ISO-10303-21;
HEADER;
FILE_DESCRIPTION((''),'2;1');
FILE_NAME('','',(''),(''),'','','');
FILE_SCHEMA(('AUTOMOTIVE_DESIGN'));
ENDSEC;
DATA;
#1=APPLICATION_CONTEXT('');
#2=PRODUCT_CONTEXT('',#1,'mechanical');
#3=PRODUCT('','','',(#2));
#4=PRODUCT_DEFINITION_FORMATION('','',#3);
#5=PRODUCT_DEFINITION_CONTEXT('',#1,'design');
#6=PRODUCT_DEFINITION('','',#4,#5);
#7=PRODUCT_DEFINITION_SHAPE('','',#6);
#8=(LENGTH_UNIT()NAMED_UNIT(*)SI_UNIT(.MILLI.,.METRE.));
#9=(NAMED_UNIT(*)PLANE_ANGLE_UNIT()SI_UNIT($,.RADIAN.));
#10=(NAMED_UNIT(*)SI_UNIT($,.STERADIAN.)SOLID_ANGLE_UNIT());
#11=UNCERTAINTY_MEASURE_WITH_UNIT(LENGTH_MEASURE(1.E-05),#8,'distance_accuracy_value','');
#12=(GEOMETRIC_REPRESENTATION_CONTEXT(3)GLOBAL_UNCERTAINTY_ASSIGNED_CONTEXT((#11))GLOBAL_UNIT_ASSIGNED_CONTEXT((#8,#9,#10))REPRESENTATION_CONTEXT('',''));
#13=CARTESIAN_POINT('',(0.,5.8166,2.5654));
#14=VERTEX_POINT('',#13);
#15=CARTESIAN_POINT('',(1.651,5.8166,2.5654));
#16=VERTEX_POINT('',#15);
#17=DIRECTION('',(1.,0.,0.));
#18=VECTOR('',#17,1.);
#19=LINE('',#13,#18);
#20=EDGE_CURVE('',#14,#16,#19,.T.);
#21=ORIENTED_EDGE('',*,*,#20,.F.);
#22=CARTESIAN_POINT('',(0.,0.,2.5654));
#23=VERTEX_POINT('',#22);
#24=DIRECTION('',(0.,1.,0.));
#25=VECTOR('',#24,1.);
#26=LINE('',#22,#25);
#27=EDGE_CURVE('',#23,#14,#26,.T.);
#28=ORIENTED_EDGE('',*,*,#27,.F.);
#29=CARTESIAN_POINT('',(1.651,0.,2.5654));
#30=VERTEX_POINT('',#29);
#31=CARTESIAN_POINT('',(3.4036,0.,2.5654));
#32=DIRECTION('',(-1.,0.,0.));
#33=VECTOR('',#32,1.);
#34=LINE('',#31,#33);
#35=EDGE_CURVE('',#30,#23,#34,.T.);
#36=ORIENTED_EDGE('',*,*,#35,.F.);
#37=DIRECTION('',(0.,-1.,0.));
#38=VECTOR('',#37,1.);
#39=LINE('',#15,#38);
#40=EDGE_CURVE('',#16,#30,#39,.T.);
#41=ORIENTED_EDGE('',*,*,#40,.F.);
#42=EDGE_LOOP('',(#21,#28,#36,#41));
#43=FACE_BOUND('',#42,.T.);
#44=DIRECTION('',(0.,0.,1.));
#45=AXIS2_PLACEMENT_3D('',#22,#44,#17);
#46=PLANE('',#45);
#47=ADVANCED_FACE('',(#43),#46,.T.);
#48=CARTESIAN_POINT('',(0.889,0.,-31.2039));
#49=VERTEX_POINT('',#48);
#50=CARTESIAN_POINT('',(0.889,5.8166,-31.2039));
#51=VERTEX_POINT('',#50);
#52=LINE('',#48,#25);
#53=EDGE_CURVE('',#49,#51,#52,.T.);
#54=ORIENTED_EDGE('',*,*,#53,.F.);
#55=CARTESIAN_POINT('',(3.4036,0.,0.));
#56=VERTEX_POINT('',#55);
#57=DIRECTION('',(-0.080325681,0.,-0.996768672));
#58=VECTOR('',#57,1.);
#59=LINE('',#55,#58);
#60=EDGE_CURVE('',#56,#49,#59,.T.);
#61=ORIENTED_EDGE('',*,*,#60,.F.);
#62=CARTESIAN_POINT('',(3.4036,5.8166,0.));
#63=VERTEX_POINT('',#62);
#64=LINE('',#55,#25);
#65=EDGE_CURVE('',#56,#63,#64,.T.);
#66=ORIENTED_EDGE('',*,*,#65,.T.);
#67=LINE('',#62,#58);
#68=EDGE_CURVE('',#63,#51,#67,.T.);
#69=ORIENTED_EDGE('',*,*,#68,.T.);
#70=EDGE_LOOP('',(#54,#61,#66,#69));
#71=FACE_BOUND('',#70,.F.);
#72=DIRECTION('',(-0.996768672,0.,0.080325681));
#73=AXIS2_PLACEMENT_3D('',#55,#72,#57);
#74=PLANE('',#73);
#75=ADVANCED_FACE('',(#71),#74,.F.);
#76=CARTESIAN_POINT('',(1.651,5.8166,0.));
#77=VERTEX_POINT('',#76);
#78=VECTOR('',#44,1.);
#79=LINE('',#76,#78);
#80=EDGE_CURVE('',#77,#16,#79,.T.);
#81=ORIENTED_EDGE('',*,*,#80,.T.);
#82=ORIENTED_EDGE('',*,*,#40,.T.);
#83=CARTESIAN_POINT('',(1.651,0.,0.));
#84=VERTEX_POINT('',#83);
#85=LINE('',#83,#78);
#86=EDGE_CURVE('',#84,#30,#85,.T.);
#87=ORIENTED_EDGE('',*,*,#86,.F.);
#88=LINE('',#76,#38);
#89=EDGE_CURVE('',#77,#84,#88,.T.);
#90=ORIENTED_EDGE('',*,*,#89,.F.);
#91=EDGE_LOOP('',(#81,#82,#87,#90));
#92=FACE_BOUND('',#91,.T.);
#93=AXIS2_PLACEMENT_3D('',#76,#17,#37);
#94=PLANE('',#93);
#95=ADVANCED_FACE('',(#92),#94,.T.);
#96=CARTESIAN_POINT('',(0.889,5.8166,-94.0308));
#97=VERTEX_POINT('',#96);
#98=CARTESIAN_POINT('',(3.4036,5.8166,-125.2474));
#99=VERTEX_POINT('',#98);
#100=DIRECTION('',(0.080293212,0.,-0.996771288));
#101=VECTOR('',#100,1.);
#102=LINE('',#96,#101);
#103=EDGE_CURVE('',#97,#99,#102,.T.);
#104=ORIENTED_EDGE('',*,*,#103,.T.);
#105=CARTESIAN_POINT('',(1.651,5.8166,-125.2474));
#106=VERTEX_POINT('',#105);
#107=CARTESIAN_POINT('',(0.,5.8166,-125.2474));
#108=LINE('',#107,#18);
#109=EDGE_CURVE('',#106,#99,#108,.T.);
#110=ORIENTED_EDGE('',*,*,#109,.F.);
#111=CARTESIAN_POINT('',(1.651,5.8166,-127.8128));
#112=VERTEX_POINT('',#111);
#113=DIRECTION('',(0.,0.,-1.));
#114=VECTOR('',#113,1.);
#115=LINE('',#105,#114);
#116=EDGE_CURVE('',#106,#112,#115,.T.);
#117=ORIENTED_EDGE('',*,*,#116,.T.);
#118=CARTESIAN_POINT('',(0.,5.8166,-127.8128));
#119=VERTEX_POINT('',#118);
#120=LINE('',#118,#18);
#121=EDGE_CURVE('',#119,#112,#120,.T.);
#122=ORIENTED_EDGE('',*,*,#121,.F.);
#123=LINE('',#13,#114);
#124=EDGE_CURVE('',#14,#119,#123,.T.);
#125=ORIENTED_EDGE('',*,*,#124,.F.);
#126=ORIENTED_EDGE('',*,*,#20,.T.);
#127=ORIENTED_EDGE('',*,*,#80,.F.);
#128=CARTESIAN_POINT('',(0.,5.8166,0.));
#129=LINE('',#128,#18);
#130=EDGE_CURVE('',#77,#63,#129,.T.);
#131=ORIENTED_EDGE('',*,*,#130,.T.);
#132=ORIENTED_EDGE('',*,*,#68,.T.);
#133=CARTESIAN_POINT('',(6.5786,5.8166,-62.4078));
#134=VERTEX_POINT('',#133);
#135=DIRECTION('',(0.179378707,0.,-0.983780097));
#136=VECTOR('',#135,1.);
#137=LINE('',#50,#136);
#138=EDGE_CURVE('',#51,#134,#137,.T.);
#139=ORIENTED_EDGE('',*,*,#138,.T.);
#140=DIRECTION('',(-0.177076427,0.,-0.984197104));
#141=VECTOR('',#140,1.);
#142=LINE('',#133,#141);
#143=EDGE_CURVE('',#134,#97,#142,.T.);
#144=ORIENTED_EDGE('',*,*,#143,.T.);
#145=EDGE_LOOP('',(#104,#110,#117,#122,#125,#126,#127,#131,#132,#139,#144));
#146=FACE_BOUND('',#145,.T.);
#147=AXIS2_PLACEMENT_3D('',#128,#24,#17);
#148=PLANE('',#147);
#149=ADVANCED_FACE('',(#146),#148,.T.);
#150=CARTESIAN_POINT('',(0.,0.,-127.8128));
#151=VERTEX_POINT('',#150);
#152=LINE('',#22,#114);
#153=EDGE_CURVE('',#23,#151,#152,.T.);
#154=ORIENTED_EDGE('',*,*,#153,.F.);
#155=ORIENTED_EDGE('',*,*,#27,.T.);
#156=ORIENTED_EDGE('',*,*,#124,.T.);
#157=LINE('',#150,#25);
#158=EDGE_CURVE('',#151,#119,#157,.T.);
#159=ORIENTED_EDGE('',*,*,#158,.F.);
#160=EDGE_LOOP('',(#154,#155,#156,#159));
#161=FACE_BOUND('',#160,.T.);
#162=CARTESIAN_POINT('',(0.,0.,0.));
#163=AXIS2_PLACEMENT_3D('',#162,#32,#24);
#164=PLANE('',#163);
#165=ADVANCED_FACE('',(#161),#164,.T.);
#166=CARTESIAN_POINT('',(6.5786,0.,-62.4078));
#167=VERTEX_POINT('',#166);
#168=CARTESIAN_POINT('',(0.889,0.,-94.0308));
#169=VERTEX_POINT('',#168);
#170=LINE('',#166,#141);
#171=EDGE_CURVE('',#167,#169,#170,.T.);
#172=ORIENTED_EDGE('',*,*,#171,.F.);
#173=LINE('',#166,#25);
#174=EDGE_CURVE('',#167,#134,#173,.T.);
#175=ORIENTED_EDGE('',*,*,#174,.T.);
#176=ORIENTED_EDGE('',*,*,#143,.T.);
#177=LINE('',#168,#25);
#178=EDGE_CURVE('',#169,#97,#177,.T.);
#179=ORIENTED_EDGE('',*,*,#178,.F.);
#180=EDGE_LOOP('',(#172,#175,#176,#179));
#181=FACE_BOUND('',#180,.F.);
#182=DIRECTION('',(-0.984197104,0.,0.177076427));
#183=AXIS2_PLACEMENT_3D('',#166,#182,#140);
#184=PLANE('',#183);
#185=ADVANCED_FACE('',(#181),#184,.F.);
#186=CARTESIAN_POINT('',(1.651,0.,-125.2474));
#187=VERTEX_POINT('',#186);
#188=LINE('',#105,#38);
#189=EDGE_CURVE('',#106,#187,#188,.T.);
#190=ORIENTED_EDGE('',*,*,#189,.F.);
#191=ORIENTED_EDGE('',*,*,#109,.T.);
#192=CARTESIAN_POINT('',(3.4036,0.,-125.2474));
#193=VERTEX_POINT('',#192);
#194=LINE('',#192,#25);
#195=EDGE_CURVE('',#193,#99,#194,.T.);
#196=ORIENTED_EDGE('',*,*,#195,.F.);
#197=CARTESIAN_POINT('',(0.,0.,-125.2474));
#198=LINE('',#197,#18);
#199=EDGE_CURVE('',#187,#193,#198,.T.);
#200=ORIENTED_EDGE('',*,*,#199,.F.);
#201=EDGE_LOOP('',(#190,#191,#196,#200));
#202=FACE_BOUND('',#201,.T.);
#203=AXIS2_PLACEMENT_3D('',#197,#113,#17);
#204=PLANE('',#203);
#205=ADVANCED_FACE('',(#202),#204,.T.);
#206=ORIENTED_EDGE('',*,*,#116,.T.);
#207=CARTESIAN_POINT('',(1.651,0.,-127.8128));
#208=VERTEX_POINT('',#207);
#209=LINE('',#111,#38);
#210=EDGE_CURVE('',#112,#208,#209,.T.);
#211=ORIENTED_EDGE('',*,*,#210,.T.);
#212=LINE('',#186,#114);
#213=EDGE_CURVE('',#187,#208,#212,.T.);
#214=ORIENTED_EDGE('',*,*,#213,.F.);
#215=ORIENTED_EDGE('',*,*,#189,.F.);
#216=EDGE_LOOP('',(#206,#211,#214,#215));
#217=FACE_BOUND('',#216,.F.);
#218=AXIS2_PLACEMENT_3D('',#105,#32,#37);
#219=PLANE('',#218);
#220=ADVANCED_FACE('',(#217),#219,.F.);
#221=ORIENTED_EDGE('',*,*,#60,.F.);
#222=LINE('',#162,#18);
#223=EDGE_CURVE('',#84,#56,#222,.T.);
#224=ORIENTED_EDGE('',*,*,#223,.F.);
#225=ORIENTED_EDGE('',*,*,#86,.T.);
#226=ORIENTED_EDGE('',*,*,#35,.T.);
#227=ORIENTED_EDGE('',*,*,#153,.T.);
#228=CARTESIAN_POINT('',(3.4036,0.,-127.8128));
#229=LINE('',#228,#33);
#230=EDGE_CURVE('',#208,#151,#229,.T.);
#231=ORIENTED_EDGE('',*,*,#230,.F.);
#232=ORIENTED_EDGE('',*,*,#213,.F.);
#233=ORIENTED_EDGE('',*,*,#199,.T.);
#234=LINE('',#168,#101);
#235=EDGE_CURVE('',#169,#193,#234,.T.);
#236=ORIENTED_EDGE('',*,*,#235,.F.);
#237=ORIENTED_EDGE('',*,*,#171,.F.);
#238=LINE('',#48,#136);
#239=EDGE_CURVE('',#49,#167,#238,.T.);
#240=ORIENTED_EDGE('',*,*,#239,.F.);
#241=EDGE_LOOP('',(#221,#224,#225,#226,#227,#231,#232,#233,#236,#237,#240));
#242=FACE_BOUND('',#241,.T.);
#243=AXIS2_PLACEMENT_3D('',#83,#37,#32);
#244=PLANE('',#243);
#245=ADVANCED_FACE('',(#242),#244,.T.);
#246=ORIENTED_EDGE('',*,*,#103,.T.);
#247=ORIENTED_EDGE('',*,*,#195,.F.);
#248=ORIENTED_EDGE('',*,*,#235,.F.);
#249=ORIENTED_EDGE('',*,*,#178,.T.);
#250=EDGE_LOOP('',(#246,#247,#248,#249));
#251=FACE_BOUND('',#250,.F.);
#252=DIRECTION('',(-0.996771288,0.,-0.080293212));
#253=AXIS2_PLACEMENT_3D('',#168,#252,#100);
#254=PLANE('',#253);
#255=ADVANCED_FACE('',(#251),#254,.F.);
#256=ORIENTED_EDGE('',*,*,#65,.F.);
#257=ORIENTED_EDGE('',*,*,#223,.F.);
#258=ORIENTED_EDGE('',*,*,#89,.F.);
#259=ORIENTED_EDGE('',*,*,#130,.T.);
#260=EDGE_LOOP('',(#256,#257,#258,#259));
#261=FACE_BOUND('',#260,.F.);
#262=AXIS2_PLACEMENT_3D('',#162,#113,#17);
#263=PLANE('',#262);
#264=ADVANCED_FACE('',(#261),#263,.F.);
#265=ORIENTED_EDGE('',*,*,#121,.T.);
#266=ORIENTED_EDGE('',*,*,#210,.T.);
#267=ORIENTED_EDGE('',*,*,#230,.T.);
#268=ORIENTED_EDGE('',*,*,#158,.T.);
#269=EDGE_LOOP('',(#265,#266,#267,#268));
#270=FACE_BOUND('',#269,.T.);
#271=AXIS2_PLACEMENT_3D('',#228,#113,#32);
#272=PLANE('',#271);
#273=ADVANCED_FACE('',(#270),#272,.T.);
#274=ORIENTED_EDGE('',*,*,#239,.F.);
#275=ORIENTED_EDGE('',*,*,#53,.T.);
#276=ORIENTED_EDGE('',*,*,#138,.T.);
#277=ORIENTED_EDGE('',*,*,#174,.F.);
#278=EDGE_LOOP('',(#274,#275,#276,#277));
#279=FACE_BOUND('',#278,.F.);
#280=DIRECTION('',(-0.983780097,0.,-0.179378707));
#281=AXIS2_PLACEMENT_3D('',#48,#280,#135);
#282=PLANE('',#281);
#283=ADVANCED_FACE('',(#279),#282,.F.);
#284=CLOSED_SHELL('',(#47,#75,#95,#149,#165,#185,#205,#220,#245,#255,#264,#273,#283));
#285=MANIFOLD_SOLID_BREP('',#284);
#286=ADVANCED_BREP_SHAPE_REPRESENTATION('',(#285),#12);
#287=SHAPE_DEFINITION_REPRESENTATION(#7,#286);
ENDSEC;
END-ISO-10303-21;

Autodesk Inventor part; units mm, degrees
ref_plane "YZ Plane" through (0, 0, 0) normal (1, 0, 0) x (0, 1, 0)
ref_plane "XZ Plane" through (0, 0, 0) normal (0, 1, 0) x (-1, 0, 0)
ref_plane "XY Plane" through (0, 0, 0) normal (0, 0, 1) x (1, 0, 0)
sketch "Sketch1" plane through (0, 0, 0) normal (0, 1, 0) x (-1, 0, 0)
  line L0 (0, 0) -> (0, -125.2474)
  line L1 (0, -125.2474) -> (-3.4036, -125.2474)
  line L2 (0, 0) -> (-3.4036, 0)
  line L3 (-3.4036, 0) -> (-0.889, -31.2039)
  line L4 (-0.889, -31.2039) -> (-6.5786, -62.4078)
  line L5 (-6.5786, -62.4078) -> (-0.889, -94.0308)
  line L6 (-0.889, -94.0308) -> (-3.4036, -125.2474)
  dimension "d0" = 125.2474
  dimension "d1" = 3.4036
  dimension "d2" = 3.4036
  dimension "d3" = 31.2039
  dimension "d4" = 62.4078
  dimension "d5" = 31.2166
  dimension "d15" = 6.5786
  dimension "d16" = 0.889
  dimension "d17" = 0.889
extrude "Extrusion1" add sketch "Sketch1" along normal blind 5.8166
sketch "Sketch2" plane through (0, 0, 0) normal (0, 0, 1) x (1, 0, 0)
  line L0 (3.4036, 0) -> (0, 0) projected
  line L1 (0, 5.8166) -> (1.651, 5.8166)
  line L2 (1.651, 5.8166) -> (1.651, 0)
  line L3 (1.651, 0) -> (0, 0)
  line L4 (0, 0) -> (0, 5.8166)
  dimension "d8" = 1.651
sketch "Sketch3" plane through (3.4036, 0, -125.2474) normal (0, 0, -1) x (-1, 0, 0)
  line L0 (3.4036, 0) -> (3.4036, 5.8166) projected
  line L1 (0, 0) -> (3.4036, 0) projected
  line L2 (3.4036, 5.8166) -> (1.7526, 5.8166)
  line L3 (1.7526, 5.8166) -> (1.7526, 0)
  line L4 (1.7526, 0) -> (3.4036, 0)
  line L5 (3.4036, 0) -> (3.4036, 5.8166)
  dimension "d9" = 1.651
extrude "Extrusion2" add sketch "Sketch3" along normal blind 2.5654
extrude "Extrusion3" add sketch "Sketch2" along normal blind 2.5654
properties part number "long_insert_inv_CPY"
